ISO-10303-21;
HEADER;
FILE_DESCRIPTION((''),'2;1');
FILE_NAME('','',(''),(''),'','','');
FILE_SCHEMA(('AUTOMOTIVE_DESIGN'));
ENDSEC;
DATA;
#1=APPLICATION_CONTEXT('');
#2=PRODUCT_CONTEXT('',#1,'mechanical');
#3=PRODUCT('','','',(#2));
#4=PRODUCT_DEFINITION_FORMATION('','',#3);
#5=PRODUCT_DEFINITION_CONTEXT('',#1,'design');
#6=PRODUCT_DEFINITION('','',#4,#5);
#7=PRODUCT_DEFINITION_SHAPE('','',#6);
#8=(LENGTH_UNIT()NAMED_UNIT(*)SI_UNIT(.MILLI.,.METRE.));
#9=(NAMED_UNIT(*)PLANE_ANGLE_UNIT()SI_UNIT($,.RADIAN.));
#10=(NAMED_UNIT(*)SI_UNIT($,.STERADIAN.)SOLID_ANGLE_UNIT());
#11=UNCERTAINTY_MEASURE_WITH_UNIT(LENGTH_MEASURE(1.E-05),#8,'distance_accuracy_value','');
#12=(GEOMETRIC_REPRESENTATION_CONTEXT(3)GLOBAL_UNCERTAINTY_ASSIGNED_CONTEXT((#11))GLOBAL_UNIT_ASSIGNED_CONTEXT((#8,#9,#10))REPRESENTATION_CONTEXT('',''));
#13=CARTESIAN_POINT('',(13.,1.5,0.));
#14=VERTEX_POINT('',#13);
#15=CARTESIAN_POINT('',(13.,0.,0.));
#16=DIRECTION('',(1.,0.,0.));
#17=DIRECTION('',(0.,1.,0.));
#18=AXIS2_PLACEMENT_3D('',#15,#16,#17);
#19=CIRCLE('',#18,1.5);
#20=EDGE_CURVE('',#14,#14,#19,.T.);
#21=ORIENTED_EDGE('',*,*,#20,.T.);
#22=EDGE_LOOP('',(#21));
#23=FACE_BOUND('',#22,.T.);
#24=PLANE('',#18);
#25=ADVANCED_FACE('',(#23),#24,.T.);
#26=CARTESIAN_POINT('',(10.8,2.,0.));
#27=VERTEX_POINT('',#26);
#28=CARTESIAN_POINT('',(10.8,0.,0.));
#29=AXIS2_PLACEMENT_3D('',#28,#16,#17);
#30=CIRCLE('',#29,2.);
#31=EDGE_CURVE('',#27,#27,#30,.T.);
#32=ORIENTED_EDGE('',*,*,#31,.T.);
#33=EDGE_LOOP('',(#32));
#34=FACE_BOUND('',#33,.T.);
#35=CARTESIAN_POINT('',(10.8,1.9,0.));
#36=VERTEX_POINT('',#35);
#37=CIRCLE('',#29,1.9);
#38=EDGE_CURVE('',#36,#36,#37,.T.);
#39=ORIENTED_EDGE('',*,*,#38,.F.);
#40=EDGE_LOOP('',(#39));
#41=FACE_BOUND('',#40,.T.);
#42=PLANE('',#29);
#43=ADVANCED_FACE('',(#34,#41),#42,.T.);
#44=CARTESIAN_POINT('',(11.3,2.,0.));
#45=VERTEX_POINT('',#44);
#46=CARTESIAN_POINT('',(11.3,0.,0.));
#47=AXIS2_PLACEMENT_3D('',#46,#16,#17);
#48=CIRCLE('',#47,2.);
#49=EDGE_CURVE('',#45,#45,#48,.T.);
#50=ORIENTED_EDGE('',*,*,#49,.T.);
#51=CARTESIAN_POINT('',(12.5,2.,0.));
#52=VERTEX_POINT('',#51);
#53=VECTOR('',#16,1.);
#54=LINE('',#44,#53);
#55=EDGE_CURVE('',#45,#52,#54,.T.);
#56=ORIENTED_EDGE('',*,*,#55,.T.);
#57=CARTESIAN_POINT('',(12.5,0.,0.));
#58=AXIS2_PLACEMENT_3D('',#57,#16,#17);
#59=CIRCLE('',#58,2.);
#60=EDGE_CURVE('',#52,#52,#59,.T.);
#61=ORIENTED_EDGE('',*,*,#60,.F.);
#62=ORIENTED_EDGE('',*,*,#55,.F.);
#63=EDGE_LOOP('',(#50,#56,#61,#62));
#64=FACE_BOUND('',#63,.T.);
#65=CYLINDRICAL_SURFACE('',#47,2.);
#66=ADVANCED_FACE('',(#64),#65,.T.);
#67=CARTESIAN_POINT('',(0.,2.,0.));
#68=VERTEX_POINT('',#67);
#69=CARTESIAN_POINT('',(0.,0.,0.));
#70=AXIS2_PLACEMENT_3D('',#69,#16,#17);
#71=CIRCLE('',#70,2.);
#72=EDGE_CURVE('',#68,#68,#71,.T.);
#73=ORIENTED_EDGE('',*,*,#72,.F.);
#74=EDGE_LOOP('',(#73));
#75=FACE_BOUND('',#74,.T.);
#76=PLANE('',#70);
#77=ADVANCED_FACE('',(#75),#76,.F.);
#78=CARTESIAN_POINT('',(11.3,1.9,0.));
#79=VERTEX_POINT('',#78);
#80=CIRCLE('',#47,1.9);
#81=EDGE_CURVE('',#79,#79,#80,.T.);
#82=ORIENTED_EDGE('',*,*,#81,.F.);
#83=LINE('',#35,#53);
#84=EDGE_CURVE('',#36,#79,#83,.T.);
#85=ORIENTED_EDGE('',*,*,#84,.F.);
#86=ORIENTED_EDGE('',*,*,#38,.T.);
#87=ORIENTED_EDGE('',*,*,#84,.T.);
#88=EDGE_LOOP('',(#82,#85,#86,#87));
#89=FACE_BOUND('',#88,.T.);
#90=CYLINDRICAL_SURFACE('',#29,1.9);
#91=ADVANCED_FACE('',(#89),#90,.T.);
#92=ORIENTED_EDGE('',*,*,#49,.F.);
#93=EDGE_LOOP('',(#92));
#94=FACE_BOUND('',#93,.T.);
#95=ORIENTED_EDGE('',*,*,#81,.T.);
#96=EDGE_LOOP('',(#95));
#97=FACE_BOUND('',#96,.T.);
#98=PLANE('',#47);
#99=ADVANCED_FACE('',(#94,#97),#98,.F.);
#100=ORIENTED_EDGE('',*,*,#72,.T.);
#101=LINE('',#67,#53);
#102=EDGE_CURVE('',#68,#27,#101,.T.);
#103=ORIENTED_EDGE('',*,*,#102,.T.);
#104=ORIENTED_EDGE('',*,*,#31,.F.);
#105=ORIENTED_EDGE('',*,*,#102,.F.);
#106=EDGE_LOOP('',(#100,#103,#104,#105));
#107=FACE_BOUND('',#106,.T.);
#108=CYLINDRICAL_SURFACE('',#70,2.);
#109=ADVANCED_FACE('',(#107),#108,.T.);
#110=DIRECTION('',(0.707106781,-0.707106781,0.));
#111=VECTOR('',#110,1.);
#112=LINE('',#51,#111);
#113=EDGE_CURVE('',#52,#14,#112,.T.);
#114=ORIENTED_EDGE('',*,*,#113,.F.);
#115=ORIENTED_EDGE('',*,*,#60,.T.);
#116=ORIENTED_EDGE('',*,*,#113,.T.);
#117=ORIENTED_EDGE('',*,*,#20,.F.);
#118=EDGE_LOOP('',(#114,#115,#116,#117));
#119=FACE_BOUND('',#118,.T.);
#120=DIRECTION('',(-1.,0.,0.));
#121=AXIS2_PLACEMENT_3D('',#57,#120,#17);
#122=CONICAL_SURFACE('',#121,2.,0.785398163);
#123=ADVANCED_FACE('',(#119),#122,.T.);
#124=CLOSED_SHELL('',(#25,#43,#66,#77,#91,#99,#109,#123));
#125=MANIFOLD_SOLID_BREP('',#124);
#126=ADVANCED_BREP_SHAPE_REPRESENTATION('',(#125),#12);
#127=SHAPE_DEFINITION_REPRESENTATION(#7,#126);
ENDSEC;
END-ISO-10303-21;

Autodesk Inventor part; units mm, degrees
ref_plane "YZ Plane" through (0, 0, 0) normal (1, 0, 0) x (0, 1, 0)
ref_plane "XZ Plane" through (0, 0, 0) normal (0, 1, 0) x (-1, 0, 0)
ref_plane "XY Plane" through (0, 0, 0) normal (0, 0, 1) x (1, 0, 0)
sketch "Skizze1" plane through (0, 0, 0) normal (0, 0, 1) x (1, 0, 0)
  line L0 (0, 0) -> (0, 2)
  line L1 (0, 2) -> (10.8, 2)
  line L2 (10.8, 2) -> (10.8, 1.9)
  line L3 (10.8, 1.9) -> (11.3, 1.9)
  line L4 (11.3, 1.9) -> (11.3, 2)
  line L5 (11.3, 2) -> (13, 2)
  line L6 (13, 2) -> (13, 0)
  line L7 (0, 0) -> (13, 0)
  point P0 (10.8, 1.95)
  point P1 (0, 1)
  dimension "d0" = 13
  dimension "d1" = 0.5
  dimension "d2" = 10.8
  dimension "d4" = 3.8
  dimension "d5" = 4
revolve "Umdrehung1" add sketch "Skizze1" angle 360 about axis through (0, 0, 0) along (1, 0, 0)
chamfer "Fasen1" distance 0.5 angle 45 1 edges at (13, -2, 0)
properties part number "Kurbelzapfen" material "Stahl, galvanisiert"
